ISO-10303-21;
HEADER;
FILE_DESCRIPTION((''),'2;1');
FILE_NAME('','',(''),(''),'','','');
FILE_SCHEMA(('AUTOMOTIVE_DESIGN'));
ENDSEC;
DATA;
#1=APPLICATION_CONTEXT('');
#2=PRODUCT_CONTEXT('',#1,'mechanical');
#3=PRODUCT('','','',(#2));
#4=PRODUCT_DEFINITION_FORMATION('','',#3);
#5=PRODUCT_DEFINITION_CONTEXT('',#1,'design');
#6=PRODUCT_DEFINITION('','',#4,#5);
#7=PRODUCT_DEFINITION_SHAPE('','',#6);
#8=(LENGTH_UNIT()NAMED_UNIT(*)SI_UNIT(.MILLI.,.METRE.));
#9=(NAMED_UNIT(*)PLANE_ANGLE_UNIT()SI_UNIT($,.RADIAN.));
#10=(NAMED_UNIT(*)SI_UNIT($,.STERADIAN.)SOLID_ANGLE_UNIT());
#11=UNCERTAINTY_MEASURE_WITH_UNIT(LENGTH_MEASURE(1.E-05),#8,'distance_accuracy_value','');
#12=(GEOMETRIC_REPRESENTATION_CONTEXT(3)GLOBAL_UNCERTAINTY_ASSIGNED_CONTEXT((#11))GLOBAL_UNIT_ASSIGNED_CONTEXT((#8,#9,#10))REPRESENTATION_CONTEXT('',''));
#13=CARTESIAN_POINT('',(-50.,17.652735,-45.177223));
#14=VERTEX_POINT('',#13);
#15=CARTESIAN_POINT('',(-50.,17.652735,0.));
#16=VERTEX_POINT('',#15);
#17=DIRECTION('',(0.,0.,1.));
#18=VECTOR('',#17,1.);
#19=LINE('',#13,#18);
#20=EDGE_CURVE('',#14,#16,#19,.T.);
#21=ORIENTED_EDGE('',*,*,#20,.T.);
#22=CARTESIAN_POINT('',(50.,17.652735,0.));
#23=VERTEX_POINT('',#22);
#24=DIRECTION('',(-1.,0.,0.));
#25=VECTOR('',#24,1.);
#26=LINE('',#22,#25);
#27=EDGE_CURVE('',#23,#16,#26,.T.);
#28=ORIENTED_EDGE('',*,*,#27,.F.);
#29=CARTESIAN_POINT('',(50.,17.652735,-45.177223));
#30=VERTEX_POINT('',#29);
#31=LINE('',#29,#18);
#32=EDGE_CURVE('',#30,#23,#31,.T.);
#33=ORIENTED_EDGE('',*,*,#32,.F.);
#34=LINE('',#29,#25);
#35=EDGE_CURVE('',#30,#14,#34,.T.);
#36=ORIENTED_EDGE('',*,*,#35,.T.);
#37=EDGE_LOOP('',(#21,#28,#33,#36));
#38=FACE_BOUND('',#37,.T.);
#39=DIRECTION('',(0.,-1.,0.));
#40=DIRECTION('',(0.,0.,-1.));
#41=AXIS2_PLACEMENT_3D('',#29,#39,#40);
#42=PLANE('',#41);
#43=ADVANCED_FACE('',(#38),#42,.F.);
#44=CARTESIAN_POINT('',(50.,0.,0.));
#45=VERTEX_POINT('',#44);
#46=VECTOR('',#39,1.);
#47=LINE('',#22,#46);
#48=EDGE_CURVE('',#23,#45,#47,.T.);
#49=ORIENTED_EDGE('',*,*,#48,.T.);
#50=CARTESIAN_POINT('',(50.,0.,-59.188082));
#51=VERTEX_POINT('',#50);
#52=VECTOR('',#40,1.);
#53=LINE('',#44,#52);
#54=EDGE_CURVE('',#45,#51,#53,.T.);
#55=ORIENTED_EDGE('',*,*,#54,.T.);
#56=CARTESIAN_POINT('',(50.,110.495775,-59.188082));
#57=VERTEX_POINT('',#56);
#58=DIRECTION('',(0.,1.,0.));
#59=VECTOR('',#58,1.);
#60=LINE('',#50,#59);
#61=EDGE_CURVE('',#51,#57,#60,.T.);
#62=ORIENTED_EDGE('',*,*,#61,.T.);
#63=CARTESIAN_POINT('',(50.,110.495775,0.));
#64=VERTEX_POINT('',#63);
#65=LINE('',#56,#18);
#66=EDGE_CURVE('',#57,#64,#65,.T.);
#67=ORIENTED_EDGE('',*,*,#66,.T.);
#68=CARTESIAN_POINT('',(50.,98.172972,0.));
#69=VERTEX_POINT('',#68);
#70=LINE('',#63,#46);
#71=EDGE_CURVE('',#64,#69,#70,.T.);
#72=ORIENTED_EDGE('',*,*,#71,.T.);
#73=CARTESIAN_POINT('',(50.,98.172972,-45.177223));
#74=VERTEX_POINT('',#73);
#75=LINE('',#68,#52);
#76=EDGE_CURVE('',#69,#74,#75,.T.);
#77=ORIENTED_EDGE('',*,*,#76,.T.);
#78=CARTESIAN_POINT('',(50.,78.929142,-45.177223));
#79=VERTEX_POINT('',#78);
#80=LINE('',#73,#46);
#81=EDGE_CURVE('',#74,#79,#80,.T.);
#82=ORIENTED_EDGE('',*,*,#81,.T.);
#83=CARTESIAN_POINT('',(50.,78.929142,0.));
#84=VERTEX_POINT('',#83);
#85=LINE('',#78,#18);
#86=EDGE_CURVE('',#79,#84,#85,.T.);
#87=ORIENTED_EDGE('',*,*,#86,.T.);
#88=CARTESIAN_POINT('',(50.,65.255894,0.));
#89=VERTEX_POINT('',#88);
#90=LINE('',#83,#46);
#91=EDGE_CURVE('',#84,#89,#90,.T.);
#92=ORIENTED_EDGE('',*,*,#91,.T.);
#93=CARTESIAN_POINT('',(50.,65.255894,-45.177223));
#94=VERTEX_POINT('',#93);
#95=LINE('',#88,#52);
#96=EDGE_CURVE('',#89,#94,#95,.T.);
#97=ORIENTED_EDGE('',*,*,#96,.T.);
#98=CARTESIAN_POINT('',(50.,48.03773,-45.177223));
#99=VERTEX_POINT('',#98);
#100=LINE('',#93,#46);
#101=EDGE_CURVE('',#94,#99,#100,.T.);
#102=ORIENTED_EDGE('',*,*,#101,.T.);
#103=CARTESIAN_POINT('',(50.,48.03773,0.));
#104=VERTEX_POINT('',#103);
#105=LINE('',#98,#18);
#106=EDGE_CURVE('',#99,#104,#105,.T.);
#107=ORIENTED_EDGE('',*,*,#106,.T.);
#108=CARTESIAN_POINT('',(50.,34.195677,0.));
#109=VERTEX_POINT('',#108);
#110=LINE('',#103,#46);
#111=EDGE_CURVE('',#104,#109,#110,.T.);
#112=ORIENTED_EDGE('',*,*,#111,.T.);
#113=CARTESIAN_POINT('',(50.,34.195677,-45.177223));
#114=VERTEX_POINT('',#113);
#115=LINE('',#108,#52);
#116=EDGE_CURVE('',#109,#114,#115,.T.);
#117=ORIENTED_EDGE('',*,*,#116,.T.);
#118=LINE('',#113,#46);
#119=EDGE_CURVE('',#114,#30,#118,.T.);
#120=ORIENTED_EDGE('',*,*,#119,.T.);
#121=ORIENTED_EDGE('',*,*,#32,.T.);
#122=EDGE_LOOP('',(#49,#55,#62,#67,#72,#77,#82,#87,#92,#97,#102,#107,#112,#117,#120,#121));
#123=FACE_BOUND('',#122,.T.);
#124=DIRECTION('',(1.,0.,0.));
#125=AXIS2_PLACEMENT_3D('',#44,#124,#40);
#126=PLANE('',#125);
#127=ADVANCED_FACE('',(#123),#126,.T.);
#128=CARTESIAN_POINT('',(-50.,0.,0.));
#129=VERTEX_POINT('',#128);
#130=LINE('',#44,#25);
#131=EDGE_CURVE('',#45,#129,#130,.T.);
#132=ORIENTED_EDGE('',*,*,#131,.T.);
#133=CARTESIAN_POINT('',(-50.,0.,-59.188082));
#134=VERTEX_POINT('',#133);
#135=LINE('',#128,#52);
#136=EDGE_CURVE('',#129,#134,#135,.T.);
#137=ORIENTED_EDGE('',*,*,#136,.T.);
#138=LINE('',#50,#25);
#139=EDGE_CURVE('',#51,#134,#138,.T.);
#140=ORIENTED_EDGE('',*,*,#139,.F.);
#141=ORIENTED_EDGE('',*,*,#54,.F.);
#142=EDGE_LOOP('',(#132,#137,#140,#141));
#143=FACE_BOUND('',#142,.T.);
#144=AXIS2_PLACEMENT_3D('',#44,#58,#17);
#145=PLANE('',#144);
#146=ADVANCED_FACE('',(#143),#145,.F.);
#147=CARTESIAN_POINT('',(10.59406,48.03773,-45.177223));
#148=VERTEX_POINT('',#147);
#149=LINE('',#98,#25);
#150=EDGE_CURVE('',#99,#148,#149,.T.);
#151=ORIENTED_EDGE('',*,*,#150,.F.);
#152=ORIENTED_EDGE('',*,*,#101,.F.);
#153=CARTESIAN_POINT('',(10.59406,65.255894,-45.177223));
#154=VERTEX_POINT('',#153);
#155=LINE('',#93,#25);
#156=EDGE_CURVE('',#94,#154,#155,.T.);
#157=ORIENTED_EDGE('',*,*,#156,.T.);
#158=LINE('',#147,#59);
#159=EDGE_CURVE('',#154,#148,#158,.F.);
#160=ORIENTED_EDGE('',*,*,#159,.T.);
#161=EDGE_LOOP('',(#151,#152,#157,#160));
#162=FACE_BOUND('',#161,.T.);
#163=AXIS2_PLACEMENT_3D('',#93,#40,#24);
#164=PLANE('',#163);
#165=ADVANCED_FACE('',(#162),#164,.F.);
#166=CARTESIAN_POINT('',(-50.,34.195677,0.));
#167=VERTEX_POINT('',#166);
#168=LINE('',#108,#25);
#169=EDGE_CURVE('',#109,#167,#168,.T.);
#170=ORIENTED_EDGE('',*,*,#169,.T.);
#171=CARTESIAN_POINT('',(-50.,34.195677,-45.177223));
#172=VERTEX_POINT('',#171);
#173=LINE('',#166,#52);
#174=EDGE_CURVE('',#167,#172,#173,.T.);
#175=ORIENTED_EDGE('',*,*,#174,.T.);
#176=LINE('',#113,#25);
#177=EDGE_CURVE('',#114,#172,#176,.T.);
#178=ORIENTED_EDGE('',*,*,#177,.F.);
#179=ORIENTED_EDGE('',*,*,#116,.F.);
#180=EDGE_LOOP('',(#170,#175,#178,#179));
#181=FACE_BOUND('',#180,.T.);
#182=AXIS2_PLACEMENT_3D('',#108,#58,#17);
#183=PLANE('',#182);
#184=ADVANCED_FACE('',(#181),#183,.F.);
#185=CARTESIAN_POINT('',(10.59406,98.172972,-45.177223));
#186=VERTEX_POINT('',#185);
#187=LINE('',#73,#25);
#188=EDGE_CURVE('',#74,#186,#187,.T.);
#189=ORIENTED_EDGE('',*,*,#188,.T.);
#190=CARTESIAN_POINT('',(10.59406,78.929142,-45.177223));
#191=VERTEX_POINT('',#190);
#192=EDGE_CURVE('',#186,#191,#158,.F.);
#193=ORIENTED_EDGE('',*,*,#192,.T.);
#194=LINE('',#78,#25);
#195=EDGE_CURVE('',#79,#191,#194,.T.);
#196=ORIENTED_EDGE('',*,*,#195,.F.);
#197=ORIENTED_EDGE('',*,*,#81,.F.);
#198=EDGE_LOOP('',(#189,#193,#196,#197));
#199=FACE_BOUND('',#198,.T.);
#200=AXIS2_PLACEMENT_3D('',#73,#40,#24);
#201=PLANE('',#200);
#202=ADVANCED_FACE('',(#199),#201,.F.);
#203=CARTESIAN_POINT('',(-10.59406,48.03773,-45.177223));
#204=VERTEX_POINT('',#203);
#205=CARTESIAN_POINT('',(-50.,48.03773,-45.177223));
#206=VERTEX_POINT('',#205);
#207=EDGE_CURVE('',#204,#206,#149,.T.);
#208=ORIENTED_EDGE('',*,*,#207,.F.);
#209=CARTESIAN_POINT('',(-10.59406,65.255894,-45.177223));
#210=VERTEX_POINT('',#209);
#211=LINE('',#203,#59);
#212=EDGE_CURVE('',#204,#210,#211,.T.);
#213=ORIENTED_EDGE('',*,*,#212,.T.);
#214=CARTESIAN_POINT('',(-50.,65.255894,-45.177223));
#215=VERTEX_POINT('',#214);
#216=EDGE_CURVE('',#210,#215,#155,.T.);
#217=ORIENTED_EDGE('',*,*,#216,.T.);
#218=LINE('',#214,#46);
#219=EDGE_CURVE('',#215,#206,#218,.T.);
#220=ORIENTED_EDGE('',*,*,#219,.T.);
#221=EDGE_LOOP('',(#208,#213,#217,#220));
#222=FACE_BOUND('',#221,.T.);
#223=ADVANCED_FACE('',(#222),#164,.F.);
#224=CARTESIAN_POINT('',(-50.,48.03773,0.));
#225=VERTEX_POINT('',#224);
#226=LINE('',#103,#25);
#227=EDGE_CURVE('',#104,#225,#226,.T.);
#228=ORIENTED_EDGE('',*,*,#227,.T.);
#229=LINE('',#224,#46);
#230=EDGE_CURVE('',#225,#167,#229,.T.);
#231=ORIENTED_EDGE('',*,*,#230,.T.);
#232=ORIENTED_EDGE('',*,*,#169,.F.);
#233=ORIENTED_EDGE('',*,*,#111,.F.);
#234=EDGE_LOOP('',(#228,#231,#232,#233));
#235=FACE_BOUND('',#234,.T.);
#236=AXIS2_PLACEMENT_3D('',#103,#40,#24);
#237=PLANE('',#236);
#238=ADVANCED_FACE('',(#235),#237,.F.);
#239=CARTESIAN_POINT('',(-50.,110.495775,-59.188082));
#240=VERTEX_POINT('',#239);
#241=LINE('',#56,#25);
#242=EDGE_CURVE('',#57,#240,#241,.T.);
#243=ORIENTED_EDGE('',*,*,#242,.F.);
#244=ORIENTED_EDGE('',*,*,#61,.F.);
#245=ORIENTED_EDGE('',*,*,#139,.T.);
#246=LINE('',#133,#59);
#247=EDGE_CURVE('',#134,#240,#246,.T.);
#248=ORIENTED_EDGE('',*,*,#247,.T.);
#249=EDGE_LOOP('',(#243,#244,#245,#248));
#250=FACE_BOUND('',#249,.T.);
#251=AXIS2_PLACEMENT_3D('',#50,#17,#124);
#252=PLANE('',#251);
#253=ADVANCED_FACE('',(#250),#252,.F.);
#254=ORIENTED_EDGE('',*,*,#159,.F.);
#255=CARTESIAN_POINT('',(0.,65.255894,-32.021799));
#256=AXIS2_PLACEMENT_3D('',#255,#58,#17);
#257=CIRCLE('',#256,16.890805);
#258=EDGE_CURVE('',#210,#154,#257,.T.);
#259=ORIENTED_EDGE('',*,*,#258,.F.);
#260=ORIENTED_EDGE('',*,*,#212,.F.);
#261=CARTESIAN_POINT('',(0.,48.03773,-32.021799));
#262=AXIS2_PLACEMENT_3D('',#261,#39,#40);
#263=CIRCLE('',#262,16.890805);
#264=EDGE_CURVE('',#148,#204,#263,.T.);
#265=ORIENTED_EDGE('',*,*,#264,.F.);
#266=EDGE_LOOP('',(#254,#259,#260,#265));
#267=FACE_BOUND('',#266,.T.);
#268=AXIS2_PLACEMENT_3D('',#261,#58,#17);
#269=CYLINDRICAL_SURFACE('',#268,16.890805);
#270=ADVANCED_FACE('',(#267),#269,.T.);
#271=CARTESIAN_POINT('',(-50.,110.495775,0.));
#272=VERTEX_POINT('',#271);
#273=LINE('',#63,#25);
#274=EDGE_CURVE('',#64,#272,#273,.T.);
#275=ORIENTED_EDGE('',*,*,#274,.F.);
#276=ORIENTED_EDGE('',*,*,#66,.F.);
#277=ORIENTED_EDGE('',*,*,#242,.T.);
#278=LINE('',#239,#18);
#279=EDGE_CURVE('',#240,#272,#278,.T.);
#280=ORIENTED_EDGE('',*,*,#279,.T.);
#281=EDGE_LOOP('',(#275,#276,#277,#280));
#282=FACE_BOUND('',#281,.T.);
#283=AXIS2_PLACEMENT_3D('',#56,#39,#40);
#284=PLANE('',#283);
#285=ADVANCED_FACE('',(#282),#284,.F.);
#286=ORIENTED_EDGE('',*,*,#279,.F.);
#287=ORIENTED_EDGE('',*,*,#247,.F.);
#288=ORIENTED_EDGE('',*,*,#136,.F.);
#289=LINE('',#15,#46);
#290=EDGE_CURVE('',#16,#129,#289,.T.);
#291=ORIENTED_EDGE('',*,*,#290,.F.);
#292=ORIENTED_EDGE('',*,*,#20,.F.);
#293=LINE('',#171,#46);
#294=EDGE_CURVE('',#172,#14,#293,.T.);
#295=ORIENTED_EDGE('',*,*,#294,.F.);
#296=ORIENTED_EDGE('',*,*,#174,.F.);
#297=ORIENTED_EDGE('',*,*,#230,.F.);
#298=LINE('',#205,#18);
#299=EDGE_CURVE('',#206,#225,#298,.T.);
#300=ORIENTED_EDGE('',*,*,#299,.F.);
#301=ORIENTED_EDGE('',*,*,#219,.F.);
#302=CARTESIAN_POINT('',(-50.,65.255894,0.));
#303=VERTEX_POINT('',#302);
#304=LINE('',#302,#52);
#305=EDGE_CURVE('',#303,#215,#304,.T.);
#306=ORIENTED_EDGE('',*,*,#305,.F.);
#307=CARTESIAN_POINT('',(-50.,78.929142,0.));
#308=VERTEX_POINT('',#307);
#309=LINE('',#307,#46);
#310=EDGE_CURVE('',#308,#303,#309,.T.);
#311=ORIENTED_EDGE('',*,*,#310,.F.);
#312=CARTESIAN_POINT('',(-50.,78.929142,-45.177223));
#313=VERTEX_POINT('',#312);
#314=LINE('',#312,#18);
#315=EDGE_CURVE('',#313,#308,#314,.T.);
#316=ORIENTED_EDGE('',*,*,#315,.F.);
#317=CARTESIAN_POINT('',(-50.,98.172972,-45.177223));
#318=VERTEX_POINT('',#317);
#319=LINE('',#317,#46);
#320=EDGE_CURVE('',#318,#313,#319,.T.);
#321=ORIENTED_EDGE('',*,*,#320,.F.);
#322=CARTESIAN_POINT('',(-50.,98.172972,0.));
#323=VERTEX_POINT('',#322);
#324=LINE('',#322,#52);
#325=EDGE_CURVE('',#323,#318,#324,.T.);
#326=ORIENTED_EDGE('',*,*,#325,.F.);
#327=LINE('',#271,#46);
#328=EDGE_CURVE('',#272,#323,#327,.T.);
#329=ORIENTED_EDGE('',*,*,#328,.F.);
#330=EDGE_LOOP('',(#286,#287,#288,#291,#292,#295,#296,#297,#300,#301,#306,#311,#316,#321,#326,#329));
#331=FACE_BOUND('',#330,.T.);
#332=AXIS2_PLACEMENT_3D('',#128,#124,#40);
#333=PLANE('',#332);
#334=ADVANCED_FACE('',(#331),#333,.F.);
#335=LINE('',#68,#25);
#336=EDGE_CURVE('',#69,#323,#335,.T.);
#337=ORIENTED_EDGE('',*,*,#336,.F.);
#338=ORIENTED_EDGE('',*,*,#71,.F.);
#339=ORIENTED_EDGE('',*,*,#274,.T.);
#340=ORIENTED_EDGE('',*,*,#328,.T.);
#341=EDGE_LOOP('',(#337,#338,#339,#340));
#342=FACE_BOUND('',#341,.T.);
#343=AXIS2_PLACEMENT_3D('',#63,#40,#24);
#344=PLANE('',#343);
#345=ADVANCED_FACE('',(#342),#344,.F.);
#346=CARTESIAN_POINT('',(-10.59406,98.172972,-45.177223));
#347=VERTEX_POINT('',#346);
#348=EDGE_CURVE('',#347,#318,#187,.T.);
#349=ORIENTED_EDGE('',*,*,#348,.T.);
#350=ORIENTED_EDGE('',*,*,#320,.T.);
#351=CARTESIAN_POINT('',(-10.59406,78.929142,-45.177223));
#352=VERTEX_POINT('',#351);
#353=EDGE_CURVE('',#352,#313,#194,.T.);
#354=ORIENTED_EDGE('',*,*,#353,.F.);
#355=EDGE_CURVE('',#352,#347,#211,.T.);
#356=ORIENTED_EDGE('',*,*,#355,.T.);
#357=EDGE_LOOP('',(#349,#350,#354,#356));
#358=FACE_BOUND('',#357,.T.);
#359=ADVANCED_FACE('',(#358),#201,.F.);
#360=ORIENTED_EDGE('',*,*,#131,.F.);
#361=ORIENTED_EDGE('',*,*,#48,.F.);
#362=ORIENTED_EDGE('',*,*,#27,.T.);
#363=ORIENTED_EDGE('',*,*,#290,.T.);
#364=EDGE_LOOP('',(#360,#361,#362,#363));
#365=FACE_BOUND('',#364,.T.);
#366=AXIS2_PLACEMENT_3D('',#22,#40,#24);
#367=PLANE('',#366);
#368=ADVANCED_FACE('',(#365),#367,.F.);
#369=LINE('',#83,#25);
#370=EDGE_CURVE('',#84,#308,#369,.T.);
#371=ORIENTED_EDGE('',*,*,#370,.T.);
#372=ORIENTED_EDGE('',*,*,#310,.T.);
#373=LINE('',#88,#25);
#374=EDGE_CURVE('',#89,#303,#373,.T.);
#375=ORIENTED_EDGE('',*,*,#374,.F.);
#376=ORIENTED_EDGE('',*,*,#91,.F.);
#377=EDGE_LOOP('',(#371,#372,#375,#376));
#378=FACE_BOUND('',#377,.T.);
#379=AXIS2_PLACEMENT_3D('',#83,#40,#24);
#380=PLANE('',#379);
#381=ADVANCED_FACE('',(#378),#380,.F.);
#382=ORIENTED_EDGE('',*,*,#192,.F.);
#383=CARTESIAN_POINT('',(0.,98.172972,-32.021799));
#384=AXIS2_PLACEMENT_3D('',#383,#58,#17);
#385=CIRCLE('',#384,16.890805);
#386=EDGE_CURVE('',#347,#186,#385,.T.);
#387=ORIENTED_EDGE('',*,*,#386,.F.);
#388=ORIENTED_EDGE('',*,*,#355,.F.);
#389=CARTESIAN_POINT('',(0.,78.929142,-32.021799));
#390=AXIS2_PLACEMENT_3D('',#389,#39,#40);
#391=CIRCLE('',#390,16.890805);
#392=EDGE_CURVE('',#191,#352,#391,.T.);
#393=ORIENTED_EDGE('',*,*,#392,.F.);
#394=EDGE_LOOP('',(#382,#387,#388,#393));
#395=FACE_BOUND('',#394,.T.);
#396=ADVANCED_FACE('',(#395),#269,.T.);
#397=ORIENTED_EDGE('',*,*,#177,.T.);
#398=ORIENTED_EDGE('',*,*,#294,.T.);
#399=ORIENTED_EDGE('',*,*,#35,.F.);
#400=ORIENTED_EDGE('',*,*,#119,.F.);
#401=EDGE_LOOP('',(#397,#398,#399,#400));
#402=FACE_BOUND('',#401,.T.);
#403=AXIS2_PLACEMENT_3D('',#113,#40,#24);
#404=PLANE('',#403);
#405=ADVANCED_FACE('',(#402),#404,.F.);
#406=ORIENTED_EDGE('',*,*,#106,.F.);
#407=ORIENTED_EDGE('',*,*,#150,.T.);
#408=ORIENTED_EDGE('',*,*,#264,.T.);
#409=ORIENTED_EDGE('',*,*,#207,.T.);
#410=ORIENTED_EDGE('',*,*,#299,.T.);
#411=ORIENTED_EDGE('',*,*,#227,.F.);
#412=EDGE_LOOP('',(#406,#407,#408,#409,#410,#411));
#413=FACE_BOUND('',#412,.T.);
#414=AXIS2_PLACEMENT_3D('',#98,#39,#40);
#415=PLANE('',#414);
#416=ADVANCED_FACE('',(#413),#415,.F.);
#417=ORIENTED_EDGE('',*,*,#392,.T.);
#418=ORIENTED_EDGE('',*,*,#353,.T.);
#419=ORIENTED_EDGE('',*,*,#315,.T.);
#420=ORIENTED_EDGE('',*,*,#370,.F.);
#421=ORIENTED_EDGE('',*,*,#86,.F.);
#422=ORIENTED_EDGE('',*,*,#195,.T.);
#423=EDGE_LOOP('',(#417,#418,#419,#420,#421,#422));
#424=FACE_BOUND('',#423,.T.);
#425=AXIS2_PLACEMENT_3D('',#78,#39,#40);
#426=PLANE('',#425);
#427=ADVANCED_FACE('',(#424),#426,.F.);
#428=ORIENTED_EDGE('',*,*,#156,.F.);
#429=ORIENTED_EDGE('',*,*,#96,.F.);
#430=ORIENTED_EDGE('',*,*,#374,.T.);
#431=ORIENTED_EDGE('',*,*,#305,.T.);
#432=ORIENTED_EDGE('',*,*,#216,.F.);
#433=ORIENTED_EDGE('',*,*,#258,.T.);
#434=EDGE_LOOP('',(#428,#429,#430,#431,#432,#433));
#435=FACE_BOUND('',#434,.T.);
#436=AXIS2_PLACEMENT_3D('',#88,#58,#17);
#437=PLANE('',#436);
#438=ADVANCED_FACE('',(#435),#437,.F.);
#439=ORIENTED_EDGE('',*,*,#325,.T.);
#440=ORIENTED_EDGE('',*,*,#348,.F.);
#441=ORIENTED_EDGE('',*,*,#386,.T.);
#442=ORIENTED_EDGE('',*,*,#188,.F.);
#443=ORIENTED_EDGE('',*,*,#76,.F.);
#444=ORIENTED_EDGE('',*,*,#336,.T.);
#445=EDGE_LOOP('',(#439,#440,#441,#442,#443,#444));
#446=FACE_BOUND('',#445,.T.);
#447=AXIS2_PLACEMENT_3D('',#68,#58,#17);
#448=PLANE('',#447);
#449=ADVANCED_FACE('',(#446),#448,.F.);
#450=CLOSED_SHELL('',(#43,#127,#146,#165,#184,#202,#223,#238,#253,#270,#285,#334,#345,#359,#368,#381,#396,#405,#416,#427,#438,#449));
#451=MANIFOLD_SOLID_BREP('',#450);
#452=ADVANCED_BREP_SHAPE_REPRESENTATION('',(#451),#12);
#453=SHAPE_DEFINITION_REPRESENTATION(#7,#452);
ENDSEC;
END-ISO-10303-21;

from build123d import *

# Parameters (mm, degrees)
BOSS_EXTRUDE1_DEPTH = 50
SKETCH4_R           = 16.890804547
BOSS_EXTRUDE2_DEPTH = 62.458045


with BuildPart() as part:
    # Sketch2 → Boss-Extrude1 (new, symmetric)
    with BuildSketch(Plane(origin=(0, 0, 0), x_dir=(0, 0, -1), z_dir=(1, 0, 0))):
        Polygon((0, 0), (59.188081664, 0), (59.188081664, 110.495775099), (0, 110.495775099), (0, 98.172971619), (45.177222912, 98.172971619), (45.177222912, 78.929141526), (0, 78.929141526), (0, 65.255893829), (45.177222912, 65.255893829), (45.177222912, 48.037730062), (0, 48.037730062), (0, 34.195676837), (45.177222912, 34.195676837), (45.177222912, 17.652735178), (0, 17.652735178), align=None)
    extrude(amount=BOSS_EXTRUDE1_DEPTH, both=True)

    # Sketch4 → Boss-Extrude2 (add)
    with BuildSketch(Plane(origin=(0, 110.495775099, 0), x_dir=(1, 0, 0), z_dir=(0, 1, 0))):
        with Locations((0, 32.021799432)):
            Circle(SKETCH4_R)
    extrude(amount=-BOSS_EXTRUDE2_DEPTH)


solid = part.part
